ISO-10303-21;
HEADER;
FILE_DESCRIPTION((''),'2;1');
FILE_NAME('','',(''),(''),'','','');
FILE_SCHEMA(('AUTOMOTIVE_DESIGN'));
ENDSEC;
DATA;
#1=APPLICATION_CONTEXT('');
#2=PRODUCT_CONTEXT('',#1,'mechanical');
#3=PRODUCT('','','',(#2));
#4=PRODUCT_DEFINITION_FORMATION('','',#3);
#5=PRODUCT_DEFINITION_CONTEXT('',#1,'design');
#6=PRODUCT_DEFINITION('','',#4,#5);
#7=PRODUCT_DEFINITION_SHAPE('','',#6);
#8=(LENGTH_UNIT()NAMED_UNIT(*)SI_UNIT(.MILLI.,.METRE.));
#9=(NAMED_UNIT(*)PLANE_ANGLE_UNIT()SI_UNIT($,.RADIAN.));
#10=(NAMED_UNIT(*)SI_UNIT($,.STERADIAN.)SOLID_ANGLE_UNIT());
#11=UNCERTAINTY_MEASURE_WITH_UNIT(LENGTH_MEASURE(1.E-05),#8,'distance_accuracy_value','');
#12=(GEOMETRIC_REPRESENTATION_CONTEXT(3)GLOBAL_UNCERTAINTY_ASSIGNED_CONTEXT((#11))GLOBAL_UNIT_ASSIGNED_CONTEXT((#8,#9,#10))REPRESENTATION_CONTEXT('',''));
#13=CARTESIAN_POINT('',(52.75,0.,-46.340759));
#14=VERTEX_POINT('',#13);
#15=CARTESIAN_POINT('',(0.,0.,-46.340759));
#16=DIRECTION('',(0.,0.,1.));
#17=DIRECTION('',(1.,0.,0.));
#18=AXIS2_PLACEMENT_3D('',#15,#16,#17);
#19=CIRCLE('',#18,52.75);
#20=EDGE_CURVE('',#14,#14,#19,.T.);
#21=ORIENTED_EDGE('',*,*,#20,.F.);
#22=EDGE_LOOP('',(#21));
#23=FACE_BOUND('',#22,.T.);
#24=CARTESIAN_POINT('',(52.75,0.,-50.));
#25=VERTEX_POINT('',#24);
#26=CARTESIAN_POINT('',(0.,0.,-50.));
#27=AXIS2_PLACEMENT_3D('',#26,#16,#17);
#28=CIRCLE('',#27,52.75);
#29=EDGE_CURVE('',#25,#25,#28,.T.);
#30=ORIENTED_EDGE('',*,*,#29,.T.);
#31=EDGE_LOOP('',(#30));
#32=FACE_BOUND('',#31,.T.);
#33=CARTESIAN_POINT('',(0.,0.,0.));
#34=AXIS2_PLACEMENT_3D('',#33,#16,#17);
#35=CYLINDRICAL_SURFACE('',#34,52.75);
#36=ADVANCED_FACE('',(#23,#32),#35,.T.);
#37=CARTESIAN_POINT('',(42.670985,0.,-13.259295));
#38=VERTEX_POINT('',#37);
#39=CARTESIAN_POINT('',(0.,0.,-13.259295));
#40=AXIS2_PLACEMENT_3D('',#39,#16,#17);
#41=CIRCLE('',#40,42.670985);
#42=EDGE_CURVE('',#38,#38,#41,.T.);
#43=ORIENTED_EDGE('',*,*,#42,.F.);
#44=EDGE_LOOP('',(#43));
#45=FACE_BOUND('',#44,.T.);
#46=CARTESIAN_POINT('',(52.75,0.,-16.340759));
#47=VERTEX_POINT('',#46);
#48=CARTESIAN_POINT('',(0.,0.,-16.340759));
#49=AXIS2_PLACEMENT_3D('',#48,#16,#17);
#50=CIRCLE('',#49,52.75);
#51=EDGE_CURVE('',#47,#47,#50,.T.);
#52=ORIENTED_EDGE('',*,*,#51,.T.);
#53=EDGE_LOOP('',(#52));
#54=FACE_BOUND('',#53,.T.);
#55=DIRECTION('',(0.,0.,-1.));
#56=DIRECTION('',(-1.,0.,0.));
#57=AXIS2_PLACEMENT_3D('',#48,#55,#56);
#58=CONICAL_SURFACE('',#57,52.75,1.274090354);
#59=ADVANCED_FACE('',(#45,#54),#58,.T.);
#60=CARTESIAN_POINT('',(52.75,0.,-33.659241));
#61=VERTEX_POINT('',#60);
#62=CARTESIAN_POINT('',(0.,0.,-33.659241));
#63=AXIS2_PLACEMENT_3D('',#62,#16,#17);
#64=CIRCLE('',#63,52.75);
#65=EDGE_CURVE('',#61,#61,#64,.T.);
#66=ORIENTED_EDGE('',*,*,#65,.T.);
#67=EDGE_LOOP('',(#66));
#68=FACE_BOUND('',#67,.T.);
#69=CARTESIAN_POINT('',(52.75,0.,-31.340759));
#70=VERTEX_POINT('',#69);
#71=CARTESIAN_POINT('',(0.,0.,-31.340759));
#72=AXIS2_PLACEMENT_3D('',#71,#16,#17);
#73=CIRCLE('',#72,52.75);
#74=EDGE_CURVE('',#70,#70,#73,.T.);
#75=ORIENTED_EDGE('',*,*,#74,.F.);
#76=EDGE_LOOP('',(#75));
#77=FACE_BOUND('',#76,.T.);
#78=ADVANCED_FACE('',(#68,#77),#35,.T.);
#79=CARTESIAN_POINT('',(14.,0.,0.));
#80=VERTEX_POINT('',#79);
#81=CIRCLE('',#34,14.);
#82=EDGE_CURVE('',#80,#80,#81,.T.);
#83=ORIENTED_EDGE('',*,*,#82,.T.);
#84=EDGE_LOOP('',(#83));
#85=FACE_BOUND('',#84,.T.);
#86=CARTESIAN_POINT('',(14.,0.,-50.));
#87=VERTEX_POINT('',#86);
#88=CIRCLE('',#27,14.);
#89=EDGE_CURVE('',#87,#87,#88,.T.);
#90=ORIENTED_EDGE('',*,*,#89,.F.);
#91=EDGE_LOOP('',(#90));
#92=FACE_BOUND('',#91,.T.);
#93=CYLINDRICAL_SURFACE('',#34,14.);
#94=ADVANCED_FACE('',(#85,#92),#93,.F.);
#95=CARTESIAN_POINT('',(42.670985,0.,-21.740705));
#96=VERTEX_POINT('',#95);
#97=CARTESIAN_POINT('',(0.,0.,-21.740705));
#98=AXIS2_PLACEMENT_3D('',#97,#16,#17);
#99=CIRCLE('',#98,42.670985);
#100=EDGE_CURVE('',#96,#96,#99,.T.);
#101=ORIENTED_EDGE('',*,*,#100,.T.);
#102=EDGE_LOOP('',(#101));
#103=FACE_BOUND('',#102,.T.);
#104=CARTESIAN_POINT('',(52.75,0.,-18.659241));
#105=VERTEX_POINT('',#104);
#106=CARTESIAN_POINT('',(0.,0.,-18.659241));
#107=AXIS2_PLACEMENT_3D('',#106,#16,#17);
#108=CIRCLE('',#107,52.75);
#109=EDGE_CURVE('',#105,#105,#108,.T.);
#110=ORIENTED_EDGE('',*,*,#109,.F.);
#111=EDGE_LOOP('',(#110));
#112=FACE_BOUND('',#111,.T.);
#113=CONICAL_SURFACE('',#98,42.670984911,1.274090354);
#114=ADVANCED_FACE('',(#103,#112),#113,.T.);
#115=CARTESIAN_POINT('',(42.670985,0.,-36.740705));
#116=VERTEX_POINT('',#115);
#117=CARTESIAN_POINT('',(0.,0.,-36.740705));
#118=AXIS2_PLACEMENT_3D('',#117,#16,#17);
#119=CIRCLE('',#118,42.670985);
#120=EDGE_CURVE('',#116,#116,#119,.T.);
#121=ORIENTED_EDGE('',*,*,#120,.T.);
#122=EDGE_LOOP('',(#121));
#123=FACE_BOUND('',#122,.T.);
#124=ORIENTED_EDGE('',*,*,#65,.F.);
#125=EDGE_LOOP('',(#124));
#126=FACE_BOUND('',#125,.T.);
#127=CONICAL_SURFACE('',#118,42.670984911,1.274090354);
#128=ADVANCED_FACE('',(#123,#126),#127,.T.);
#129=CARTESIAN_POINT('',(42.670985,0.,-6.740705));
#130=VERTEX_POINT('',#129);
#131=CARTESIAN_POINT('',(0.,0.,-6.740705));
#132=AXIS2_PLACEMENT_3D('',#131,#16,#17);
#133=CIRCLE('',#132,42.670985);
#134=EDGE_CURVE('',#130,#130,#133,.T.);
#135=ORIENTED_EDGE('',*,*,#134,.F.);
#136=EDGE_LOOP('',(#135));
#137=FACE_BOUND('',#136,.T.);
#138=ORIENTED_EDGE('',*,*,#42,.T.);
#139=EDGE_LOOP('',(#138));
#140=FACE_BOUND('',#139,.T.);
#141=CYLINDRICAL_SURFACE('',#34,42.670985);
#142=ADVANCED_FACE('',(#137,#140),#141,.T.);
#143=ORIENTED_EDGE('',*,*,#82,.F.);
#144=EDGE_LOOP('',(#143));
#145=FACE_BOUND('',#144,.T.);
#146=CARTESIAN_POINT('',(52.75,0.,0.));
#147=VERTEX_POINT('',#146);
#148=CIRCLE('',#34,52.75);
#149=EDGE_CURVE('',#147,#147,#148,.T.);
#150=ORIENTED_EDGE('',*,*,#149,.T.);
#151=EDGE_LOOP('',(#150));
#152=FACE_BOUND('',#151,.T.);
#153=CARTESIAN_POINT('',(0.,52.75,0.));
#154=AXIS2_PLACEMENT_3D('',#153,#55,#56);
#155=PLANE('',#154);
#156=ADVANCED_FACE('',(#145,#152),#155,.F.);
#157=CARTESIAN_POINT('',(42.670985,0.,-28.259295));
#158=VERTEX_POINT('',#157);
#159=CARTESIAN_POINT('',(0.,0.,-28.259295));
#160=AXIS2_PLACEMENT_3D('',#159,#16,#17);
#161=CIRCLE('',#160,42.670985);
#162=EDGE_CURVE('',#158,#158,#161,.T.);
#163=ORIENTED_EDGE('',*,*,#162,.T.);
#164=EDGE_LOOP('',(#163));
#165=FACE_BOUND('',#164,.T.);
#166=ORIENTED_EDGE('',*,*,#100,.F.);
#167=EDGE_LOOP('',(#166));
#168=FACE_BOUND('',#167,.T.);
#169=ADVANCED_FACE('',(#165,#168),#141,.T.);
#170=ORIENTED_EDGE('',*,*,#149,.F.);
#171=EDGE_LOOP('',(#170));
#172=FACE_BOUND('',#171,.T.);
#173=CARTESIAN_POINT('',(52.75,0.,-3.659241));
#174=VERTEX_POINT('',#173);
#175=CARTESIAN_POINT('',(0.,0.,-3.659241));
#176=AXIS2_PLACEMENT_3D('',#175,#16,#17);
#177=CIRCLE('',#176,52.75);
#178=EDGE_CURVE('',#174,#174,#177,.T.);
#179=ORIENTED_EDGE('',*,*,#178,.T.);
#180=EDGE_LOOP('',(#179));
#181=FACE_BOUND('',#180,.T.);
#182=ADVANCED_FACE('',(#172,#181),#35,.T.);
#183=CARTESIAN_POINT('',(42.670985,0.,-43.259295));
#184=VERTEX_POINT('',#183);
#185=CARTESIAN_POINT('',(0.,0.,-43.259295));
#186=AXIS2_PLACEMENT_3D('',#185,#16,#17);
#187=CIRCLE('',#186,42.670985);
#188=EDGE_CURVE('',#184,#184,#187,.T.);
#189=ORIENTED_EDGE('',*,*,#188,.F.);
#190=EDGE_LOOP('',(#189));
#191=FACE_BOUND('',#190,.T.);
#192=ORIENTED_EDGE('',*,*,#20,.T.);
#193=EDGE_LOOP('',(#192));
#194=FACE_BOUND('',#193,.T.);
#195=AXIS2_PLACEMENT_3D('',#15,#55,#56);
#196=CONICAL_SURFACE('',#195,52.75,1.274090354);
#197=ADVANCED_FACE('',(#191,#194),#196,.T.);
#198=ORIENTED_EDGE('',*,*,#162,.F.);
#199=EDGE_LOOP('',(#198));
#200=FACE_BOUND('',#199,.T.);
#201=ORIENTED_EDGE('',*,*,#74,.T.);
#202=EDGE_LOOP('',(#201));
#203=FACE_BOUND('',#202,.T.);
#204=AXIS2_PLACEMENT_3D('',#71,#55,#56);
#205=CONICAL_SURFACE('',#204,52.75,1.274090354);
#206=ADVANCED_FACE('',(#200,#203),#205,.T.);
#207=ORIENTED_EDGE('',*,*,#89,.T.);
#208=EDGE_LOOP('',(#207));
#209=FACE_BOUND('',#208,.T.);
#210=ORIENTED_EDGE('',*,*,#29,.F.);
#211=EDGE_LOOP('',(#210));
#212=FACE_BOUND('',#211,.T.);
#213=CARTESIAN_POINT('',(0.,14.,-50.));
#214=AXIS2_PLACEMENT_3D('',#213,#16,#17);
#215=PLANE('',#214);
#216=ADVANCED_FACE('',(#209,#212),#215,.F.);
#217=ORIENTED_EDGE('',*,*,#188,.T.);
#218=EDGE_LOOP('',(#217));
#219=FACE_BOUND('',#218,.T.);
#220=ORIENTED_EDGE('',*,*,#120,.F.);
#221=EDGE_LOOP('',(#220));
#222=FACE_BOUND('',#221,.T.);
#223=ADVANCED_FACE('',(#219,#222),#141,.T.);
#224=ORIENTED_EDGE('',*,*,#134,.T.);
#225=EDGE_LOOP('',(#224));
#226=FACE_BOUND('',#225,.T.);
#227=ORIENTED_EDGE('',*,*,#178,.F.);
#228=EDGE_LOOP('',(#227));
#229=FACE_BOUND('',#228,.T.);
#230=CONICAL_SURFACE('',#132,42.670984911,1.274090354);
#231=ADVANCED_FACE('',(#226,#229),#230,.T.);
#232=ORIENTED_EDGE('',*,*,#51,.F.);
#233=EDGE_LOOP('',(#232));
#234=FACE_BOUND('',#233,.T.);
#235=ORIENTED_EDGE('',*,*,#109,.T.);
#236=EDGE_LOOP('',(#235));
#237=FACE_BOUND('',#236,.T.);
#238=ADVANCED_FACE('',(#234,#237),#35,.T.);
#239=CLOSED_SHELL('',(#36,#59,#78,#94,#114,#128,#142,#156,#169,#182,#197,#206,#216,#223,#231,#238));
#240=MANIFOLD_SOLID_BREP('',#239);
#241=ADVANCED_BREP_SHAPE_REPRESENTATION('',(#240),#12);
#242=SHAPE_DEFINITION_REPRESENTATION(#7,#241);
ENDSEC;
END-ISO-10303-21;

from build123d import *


with BuildPart() as part:
    # 草图2 → 旋转2 (revolve)
    with BuildSketch(Plane(origin=(0, 0, 0), x_dir=(0, 0, -1), z_dir=(1, 0, 0)), mode=Mode.PRIVATE) as revolve_2_sk:
        Polygon((0, 52.75), (3.659240626, 52.75), (6.740704778, 42.670984911), (13.259295222, 42.670984911), (16.340759374, 52.75), (18.659240626, 52.75), (21.740704778, 42.670984911), (28.259295222, 42.670984911), (31.340759374, 52.75), (33.659240626, 52.75), (36.740704778, 42.670984911), (43.259295222, 42.670984911), (46.340759374, 52.75), (50, 52.75), (50, 14), (0, 14), align=None)
    revolve(revolve_2_sk.sketch.rotate(Axis((0, 0, 0), (0, 0, -1)), 90), axis=Axis((0, 0, 0), (0, 0, -1)))


solid = part.part
